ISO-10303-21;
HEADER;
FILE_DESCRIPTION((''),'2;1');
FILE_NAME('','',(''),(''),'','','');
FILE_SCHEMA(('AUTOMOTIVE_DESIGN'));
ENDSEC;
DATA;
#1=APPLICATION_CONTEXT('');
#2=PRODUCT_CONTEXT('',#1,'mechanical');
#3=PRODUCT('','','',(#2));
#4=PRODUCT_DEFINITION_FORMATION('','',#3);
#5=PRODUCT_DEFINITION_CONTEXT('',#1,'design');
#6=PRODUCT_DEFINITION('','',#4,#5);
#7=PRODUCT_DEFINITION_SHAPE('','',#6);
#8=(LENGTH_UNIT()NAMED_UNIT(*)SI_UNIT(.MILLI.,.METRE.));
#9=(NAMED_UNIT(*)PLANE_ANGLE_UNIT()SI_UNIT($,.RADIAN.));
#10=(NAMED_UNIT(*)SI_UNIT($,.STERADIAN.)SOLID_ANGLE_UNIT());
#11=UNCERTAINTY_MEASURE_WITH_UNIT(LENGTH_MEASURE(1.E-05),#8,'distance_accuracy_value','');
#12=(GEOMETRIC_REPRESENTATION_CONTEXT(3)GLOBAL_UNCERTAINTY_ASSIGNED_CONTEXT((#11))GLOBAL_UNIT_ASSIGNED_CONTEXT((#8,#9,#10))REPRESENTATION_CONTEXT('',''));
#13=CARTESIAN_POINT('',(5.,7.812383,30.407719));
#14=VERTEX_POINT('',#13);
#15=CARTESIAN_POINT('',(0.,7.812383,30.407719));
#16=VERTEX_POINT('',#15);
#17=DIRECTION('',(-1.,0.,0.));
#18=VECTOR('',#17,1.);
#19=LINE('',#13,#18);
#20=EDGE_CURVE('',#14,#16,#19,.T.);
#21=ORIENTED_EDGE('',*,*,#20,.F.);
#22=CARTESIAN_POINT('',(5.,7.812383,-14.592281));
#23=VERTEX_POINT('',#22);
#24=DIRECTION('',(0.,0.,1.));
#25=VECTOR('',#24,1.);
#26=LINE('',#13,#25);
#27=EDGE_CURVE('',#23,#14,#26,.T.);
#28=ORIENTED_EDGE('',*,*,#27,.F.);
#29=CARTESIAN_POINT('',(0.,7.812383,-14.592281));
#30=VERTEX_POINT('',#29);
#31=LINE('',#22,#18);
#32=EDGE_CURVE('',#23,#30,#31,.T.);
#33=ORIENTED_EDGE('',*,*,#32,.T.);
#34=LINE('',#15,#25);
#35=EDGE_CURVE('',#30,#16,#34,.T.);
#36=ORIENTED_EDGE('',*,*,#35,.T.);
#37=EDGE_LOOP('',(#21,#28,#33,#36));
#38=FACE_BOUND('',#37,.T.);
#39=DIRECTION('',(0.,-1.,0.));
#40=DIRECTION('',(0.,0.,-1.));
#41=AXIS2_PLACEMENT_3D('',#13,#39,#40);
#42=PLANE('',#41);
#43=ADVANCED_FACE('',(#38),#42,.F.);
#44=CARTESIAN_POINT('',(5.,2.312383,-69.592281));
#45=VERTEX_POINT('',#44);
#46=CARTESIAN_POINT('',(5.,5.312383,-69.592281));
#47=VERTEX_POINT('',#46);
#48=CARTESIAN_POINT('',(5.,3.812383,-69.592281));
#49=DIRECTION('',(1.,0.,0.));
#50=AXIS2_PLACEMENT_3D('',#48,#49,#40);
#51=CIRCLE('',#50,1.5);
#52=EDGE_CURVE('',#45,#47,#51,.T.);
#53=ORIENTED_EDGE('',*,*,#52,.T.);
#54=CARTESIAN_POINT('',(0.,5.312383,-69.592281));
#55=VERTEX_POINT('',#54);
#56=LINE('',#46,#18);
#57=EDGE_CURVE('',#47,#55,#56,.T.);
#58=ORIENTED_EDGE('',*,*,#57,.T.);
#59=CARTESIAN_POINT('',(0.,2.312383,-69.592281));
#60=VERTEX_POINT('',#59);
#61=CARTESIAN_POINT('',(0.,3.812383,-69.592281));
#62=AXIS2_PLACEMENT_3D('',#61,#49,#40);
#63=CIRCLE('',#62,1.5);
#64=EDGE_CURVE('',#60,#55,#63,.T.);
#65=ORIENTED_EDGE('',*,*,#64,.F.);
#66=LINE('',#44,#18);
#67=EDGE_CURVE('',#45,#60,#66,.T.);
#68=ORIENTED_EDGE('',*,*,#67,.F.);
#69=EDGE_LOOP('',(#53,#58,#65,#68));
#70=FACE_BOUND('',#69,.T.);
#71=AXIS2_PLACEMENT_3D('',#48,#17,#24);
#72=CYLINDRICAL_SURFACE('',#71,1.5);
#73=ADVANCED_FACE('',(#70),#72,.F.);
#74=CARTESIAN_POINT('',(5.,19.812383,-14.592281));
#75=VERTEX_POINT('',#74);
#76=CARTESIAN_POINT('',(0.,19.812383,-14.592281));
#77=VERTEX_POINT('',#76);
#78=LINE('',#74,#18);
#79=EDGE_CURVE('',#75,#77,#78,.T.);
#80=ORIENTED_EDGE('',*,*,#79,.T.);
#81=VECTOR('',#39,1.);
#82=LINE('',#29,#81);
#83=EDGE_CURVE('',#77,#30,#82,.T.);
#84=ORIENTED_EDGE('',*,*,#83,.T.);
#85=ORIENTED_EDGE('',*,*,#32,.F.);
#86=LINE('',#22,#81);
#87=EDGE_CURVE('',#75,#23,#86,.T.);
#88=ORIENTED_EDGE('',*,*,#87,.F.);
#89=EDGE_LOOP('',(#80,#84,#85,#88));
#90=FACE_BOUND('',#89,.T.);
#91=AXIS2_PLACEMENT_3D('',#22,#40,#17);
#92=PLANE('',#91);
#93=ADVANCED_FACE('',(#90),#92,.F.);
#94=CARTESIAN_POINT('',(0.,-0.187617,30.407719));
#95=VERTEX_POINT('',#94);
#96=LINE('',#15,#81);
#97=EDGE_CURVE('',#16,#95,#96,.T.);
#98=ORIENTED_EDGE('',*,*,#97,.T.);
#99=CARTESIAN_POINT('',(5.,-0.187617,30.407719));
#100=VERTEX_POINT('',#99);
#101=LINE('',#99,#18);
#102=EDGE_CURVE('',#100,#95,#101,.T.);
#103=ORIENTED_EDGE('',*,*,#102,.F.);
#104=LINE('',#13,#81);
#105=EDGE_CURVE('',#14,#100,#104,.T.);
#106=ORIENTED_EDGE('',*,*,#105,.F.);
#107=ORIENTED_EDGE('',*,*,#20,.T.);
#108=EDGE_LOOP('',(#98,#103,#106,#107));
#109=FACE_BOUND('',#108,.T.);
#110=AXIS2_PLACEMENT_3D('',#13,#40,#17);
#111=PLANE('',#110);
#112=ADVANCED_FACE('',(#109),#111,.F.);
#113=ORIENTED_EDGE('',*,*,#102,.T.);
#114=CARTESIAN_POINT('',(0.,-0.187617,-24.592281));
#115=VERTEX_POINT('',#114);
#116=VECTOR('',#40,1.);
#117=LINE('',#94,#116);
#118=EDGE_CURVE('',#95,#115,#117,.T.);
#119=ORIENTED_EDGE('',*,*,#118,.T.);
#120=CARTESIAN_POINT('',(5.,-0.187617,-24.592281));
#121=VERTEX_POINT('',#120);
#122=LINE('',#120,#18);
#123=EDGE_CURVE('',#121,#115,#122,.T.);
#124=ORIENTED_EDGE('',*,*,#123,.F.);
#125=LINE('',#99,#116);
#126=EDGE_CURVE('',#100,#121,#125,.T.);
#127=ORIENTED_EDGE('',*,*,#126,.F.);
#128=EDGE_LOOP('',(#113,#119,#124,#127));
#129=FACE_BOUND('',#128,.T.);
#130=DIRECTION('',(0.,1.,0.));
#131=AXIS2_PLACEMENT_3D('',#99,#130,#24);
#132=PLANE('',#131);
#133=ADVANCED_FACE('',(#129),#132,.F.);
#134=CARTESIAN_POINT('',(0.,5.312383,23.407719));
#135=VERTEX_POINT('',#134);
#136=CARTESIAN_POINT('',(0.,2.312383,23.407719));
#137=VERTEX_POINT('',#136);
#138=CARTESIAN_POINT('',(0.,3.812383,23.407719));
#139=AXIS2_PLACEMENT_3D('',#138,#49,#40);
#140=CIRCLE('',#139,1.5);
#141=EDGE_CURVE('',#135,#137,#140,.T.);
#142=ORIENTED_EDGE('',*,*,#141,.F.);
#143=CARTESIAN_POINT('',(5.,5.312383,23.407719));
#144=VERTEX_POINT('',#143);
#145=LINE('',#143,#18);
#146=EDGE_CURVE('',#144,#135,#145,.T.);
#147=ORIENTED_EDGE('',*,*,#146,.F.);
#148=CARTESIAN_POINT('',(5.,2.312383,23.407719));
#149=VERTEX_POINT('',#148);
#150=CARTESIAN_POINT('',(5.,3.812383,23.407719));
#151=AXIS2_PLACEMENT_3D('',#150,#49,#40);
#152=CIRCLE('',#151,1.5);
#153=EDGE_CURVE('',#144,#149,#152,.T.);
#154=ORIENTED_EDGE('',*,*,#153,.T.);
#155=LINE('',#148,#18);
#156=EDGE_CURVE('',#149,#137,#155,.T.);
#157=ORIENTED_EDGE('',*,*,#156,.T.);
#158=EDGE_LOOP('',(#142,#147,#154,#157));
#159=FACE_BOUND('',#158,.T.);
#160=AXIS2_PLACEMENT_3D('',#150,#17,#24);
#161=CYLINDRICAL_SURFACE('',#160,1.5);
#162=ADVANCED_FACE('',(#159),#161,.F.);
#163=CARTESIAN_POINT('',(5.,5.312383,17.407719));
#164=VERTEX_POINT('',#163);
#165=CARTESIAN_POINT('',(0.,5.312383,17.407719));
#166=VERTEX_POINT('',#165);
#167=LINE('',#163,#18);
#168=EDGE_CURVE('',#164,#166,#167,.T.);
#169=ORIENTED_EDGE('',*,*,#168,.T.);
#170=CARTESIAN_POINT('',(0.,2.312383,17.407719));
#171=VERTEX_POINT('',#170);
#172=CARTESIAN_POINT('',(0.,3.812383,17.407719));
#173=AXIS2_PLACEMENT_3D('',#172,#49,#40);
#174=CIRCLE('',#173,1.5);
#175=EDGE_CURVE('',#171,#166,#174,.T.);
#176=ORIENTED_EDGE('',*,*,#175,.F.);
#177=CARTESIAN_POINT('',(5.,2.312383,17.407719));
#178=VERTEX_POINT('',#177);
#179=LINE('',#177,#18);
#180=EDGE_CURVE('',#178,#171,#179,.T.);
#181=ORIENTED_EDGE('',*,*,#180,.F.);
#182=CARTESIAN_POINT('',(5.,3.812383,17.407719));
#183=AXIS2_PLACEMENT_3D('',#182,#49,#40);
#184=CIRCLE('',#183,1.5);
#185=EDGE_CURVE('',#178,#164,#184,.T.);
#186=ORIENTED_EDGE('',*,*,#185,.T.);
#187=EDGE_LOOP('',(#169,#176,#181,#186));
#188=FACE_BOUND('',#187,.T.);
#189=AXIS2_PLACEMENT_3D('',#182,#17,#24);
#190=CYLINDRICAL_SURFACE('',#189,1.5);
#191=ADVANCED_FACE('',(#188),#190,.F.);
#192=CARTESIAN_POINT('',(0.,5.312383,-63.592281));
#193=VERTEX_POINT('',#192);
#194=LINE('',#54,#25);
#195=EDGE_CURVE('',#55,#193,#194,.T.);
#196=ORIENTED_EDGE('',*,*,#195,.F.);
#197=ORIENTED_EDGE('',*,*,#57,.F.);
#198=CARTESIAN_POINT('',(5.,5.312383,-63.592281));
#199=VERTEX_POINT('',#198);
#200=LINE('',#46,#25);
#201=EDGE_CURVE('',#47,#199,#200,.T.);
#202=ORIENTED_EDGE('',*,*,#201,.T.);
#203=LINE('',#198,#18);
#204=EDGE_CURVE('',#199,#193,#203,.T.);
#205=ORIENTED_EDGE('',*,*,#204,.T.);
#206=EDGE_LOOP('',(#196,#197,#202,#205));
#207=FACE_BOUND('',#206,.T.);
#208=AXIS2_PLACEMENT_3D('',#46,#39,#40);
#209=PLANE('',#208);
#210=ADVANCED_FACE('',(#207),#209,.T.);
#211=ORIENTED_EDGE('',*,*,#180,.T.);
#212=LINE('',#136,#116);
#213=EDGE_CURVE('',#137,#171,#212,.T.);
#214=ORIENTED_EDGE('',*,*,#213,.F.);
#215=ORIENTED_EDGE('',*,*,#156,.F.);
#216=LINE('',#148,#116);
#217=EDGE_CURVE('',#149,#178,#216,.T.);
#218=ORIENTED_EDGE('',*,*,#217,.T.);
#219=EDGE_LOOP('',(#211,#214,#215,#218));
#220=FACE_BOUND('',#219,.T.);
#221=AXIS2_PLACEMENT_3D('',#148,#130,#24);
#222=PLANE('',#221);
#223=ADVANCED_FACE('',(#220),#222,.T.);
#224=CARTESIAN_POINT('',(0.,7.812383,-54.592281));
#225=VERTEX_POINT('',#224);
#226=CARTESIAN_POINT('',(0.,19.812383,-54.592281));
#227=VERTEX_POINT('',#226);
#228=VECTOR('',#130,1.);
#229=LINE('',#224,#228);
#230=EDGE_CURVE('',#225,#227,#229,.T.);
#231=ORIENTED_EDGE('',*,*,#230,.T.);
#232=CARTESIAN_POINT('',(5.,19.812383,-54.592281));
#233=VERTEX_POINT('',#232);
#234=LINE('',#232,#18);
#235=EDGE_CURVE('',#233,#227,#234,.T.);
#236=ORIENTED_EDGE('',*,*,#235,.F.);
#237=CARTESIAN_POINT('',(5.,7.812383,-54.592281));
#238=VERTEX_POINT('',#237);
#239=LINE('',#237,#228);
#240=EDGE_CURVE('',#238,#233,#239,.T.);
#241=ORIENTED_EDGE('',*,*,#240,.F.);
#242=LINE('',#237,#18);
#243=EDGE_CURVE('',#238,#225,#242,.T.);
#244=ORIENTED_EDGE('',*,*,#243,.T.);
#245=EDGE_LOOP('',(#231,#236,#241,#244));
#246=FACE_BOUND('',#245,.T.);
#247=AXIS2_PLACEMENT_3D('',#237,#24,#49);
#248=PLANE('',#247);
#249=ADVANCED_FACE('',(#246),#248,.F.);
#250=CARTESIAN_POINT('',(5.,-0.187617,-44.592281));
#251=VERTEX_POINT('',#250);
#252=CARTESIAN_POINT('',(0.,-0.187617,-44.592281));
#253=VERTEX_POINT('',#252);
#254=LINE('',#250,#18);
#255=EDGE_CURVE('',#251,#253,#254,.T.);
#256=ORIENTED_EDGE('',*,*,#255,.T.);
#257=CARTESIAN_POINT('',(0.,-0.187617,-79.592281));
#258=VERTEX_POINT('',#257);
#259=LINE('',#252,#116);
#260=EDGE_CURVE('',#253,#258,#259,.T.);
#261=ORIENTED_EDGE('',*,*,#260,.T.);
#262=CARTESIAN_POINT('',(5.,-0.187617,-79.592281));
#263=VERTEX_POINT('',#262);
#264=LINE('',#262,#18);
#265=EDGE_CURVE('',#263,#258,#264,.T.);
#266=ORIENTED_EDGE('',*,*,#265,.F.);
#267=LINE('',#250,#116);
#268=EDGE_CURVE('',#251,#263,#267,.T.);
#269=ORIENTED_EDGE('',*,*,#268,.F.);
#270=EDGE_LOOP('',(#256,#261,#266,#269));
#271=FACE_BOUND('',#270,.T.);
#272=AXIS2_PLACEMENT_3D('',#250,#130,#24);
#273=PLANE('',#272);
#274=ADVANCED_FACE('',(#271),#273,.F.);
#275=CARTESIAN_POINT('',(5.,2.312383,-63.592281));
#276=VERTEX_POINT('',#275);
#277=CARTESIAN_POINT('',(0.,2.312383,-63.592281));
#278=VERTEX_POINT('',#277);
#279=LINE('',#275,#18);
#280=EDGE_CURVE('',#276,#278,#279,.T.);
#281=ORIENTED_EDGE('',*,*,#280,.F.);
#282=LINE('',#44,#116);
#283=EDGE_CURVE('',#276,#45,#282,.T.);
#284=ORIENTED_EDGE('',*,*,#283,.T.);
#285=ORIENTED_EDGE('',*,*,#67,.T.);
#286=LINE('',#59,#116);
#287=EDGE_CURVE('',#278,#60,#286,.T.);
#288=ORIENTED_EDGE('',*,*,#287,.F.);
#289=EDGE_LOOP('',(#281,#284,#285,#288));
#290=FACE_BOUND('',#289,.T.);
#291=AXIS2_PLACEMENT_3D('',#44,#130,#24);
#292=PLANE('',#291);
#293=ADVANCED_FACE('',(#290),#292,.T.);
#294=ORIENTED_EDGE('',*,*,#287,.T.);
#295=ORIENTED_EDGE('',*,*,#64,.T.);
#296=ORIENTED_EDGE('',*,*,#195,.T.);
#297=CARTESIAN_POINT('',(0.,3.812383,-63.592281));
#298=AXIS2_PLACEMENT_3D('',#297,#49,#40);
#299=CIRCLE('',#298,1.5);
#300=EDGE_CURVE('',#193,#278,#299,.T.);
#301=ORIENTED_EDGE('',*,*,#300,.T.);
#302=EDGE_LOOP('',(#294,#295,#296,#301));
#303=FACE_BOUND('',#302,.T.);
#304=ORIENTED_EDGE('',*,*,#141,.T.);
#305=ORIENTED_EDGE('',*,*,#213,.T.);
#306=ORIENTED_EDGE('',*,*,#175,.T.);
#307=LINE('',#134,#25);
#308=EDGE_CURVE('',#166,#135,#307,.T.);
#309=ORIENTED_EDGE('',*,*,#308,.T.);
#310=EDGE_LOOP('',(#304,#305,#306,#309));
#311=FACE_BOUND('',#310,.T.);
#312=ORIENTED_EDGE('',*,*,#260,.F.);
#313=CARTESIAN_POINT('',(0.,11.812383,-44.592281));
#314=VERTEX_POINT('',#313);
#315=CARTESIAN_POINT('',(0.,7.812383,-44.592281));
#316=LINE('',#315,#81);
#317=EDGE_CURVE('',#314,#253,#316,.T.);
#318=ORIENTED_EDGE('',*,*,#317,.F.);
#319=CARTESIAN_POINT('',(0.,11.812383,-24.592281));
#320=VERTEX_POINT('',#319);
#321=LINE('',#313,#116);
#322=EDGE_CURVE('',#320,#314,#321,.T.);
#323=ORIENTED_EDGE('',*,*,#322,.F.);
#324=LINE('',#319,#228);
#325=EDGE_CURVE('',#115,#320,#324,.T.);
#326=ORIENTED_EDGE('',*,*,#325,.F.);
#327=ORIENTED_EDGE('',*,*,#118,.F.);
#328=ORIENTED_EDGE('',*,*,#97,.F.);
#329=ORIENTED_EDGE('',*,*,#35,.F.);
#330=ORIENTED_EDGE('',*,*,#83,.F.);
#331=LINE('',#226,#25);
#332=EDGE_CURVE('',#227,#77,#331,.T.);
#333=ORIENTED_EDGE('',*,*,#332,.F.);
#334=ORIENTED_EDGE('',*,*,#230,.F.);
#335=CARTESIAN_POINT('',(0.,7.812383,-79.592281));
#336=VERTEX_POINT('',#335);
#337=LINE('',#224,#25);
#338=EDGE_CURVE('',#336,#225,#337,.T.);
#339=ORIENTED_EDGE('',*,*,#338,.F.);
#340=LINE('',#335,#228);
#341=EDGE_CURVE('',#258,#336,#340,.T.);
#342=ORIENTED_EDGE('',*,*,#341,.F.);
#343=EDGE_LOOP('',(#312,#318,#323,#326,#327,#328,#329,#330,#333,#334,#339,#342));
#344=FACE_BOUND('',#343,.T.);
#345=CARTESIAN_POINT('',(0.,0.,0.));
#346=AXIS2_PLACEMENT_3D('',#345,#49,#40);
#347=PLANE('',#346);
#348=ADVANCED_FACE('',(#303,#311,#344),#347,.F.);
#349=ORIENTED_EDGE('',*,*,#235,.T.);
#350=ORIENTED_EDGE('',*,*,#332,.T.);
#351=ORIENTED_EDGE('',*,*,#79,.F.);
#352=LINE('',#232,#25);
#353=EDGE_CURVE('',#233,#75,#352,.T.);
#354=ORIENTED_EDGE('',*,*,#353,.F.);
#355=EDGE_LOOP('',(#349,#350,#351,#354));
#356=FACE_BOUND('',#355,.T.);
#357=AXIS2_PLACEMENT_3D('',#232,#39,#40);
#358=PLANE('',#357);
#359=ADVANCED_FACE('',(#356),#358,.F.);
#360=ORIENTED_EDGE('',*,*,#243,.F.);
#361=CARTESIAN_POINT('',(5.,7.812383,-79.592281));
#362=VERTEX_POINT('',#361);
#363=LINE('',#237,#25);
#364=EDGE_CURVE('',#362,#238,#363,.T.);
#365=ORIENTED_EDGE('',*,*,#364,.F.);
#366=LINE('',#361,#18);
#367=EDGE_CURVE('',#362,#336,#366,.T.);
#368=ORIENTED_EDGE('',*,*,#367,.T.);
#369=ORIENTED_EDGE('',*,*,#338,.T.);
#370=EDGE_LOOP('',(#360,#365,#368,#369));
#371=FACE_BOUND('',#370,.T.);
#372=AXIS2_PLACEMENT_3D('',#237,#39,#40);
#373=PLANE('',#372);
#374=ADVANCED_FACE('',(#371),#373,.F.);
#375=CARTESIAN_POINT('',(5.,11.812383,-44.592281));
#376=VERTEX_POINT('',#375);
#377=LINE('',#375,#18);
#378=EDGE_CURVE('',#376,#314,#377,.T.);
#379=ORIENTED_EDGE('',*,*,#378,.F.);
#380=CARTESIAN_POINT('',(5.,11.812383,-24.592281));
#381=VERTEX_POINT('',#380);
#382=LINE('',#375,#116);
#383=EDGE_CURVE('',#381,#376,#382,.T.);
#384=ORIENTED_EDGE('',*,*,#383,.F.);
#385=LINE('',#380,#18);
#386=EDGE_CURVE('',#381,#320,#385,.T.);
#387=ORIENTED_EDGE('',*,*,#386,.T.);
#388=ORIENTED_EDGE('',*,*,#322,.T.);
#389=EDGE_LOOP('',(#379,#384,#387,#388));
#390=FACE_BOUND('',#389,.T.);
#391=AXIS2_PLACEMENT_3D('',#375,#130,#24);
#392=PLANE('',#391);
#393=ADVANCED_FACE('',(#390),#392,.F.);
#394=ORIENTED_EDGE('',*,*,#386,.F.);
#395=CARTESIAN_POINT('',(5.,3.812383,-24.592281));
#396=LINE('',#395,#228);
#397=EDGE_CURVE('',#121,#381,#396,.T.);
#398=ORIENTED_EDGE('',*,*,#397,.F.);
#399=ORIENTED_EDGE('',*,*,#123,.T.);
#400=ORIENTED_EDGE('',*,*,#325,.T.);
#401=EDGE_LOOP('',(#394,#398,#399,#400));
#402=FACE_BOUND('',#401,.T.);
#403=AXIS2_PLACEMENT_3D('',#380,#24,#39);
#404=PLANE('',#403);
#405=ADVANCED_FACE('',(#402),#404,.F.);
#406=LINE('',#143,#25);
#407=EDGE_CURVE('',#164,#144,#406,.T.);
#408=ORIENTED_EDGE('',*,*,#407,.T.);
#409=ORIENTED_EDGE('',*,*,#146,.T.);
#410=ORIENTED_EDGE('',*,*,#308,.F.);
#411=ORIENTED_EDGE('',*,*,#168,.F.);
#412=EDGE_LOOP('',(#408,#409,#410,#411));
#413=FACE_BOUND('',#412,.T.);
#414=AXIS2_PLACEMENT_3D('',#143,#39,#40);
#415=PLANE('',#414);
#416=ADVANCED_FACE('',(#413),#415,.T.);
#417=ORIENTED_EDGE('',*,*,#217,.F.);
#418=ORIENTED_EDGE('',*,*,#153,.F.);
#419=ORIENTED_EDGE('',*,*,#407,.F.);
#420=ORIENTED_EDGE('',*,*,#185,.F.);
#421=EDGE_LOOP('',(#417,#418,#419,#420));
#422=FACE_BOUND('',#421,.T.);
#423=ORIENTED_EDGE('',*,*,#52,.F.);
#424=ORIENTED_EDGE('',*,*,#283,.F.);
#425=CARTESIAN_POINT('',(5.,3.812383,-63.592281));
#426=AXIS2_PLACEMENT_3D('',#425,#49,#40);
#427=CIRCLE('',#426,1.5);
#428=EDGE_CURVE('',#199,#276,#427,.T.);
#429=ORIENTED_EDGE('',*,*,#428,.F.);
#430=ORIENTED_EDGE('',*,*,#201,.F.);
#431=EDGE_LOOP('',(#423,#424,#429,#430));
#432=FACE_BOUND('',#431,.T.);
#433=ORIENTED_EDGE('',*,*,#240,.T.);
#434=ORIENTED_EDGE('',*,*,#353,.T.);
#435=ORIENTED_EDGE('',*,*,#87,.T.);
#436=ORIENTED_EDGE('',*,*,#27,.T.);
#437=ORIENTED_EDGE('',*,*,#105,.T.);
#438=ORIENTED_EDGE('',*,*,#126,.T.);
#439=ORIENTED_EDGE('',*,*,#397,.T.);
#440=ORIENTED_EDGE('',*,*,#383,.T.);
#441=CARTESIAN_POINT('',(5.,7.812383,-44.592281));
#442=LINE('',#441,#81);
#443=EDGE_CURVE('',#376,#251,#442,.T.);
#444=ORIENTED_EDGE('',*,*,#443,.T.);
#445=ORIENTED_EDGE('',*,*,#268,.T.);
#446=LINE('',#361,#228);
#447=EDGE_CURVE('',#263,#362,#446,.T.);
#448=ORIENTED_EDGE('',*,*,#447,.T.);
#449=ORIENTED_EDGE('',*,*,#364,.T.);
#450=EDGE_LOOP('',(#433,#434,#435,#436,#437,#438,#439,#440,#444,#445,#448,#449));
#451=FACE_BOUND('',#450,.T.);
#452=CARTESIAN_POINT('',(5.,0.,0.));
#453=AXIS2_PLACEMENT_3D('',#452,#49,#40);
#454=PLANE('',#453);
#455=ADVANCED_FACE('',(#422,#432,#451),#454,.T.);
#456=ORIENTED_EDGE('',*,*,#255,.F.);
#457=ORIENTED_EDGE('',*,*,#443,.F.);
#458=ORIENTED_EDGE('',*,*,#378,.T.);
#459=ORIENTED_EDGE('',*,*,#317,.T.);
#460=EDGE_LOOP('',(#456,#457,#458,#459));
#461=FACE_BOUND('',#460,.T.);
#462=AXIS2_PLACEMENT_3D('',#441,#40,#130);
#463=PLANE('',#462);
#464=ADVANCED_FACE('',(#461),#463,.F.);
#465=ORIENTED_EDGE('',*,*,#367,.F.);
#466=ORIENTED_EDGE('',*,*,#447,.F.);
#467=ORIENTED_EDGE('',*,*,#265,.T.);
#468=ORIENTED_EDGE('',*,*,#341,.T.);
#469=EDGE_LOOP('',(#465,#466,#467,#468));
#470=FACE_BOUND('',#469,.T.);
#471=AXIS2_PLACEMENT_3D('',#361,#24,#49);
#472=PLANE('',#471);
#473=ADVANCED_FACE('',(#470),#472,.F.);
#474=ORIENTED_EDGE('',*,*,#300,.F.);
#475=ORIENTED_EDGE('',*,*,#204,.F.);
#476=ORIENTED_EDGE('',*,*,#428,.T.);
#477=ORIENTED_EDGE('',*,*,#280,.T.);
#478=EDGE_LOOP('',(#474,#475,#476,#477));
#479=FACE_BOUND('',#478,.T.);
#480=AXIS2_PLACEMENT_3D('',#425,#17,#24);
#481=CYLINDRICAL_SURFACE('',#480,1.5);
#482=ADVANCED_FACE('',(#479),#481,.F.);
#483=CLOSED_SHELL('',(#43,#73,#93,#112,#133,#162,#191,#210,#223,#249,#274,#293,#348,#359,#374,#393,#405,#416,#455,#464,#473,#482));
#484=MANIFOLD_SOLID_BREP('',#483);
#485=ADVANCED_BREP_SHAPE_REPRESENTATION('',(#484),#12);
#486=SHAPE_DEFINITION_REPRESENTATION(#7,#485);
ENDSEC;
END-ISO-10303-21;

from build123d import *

# Parameters (mm, degrees)
EXTRUDE_1_DEPTH = 5


with BuildPart() as part:
    # 草图1 → 凸台-拉伸1 (new body)
    with BuildSketch(Plane(origin=(0, 0, 0), x_dir=(0, 0, -1), z_dir=(1, 0, 0))):
        Polygon((-30.407718659, 7.81238306), (14.592281341, 7.81238306), (14.592281341, 19.81238306), (54.592281341, 19.81238306), (54.592281341, 7.81238306), (79.592281341, 7.81238306), (79.592281341, -0.18761694), (44.592281341, -0.18761694), (44.592281341, 7.81238306), (44.592281341, 11.81238306), (24.592281341, 11.81238306), (24.592281341, 3.81238306), (24.592281341, -0.18761694), (-30.407718659, -0.18761694), align=None)
        with BuildLine():
            Line((-23.407718659, 5.31238306), (-17.407718659, 5.31238306))
            ThreePointArc((-17.407718659, 5.31238306), (-15.907718659, 3.81238306), (-17.407718659, 2.31238306))
            Line((-17.407718659, 2.31238306), (-23.407718659, 2.31238306))
            ThreePointArc((-23.407718659, 2.31238306), (-24.907718659, 3.81238306), (-23.407718659, 5.31238306))
        make_face(mode=Mode.SUBTRACT)
        with BuildLine():
            Line((69.592281341, 2.31238306), (63.592281341, 2.31238306))
            ThreePointArc((63.592281341, 2.31238306), (62.092281341, 3.81238306), (63.592281341, 5.31238306))
            Line((63.592281341, 5.31238306), (69.592281341, 5.31238306))
            ThreePointArc((69.592281341, 5.31238306), (71.092281341, 3.81238306), (69.592281341, 2.31238306))
        make_face(mode=Mode.SUBTRACT)
    extrude(amount=EXTRUDE_1_DEPTH)


solid = part.part
